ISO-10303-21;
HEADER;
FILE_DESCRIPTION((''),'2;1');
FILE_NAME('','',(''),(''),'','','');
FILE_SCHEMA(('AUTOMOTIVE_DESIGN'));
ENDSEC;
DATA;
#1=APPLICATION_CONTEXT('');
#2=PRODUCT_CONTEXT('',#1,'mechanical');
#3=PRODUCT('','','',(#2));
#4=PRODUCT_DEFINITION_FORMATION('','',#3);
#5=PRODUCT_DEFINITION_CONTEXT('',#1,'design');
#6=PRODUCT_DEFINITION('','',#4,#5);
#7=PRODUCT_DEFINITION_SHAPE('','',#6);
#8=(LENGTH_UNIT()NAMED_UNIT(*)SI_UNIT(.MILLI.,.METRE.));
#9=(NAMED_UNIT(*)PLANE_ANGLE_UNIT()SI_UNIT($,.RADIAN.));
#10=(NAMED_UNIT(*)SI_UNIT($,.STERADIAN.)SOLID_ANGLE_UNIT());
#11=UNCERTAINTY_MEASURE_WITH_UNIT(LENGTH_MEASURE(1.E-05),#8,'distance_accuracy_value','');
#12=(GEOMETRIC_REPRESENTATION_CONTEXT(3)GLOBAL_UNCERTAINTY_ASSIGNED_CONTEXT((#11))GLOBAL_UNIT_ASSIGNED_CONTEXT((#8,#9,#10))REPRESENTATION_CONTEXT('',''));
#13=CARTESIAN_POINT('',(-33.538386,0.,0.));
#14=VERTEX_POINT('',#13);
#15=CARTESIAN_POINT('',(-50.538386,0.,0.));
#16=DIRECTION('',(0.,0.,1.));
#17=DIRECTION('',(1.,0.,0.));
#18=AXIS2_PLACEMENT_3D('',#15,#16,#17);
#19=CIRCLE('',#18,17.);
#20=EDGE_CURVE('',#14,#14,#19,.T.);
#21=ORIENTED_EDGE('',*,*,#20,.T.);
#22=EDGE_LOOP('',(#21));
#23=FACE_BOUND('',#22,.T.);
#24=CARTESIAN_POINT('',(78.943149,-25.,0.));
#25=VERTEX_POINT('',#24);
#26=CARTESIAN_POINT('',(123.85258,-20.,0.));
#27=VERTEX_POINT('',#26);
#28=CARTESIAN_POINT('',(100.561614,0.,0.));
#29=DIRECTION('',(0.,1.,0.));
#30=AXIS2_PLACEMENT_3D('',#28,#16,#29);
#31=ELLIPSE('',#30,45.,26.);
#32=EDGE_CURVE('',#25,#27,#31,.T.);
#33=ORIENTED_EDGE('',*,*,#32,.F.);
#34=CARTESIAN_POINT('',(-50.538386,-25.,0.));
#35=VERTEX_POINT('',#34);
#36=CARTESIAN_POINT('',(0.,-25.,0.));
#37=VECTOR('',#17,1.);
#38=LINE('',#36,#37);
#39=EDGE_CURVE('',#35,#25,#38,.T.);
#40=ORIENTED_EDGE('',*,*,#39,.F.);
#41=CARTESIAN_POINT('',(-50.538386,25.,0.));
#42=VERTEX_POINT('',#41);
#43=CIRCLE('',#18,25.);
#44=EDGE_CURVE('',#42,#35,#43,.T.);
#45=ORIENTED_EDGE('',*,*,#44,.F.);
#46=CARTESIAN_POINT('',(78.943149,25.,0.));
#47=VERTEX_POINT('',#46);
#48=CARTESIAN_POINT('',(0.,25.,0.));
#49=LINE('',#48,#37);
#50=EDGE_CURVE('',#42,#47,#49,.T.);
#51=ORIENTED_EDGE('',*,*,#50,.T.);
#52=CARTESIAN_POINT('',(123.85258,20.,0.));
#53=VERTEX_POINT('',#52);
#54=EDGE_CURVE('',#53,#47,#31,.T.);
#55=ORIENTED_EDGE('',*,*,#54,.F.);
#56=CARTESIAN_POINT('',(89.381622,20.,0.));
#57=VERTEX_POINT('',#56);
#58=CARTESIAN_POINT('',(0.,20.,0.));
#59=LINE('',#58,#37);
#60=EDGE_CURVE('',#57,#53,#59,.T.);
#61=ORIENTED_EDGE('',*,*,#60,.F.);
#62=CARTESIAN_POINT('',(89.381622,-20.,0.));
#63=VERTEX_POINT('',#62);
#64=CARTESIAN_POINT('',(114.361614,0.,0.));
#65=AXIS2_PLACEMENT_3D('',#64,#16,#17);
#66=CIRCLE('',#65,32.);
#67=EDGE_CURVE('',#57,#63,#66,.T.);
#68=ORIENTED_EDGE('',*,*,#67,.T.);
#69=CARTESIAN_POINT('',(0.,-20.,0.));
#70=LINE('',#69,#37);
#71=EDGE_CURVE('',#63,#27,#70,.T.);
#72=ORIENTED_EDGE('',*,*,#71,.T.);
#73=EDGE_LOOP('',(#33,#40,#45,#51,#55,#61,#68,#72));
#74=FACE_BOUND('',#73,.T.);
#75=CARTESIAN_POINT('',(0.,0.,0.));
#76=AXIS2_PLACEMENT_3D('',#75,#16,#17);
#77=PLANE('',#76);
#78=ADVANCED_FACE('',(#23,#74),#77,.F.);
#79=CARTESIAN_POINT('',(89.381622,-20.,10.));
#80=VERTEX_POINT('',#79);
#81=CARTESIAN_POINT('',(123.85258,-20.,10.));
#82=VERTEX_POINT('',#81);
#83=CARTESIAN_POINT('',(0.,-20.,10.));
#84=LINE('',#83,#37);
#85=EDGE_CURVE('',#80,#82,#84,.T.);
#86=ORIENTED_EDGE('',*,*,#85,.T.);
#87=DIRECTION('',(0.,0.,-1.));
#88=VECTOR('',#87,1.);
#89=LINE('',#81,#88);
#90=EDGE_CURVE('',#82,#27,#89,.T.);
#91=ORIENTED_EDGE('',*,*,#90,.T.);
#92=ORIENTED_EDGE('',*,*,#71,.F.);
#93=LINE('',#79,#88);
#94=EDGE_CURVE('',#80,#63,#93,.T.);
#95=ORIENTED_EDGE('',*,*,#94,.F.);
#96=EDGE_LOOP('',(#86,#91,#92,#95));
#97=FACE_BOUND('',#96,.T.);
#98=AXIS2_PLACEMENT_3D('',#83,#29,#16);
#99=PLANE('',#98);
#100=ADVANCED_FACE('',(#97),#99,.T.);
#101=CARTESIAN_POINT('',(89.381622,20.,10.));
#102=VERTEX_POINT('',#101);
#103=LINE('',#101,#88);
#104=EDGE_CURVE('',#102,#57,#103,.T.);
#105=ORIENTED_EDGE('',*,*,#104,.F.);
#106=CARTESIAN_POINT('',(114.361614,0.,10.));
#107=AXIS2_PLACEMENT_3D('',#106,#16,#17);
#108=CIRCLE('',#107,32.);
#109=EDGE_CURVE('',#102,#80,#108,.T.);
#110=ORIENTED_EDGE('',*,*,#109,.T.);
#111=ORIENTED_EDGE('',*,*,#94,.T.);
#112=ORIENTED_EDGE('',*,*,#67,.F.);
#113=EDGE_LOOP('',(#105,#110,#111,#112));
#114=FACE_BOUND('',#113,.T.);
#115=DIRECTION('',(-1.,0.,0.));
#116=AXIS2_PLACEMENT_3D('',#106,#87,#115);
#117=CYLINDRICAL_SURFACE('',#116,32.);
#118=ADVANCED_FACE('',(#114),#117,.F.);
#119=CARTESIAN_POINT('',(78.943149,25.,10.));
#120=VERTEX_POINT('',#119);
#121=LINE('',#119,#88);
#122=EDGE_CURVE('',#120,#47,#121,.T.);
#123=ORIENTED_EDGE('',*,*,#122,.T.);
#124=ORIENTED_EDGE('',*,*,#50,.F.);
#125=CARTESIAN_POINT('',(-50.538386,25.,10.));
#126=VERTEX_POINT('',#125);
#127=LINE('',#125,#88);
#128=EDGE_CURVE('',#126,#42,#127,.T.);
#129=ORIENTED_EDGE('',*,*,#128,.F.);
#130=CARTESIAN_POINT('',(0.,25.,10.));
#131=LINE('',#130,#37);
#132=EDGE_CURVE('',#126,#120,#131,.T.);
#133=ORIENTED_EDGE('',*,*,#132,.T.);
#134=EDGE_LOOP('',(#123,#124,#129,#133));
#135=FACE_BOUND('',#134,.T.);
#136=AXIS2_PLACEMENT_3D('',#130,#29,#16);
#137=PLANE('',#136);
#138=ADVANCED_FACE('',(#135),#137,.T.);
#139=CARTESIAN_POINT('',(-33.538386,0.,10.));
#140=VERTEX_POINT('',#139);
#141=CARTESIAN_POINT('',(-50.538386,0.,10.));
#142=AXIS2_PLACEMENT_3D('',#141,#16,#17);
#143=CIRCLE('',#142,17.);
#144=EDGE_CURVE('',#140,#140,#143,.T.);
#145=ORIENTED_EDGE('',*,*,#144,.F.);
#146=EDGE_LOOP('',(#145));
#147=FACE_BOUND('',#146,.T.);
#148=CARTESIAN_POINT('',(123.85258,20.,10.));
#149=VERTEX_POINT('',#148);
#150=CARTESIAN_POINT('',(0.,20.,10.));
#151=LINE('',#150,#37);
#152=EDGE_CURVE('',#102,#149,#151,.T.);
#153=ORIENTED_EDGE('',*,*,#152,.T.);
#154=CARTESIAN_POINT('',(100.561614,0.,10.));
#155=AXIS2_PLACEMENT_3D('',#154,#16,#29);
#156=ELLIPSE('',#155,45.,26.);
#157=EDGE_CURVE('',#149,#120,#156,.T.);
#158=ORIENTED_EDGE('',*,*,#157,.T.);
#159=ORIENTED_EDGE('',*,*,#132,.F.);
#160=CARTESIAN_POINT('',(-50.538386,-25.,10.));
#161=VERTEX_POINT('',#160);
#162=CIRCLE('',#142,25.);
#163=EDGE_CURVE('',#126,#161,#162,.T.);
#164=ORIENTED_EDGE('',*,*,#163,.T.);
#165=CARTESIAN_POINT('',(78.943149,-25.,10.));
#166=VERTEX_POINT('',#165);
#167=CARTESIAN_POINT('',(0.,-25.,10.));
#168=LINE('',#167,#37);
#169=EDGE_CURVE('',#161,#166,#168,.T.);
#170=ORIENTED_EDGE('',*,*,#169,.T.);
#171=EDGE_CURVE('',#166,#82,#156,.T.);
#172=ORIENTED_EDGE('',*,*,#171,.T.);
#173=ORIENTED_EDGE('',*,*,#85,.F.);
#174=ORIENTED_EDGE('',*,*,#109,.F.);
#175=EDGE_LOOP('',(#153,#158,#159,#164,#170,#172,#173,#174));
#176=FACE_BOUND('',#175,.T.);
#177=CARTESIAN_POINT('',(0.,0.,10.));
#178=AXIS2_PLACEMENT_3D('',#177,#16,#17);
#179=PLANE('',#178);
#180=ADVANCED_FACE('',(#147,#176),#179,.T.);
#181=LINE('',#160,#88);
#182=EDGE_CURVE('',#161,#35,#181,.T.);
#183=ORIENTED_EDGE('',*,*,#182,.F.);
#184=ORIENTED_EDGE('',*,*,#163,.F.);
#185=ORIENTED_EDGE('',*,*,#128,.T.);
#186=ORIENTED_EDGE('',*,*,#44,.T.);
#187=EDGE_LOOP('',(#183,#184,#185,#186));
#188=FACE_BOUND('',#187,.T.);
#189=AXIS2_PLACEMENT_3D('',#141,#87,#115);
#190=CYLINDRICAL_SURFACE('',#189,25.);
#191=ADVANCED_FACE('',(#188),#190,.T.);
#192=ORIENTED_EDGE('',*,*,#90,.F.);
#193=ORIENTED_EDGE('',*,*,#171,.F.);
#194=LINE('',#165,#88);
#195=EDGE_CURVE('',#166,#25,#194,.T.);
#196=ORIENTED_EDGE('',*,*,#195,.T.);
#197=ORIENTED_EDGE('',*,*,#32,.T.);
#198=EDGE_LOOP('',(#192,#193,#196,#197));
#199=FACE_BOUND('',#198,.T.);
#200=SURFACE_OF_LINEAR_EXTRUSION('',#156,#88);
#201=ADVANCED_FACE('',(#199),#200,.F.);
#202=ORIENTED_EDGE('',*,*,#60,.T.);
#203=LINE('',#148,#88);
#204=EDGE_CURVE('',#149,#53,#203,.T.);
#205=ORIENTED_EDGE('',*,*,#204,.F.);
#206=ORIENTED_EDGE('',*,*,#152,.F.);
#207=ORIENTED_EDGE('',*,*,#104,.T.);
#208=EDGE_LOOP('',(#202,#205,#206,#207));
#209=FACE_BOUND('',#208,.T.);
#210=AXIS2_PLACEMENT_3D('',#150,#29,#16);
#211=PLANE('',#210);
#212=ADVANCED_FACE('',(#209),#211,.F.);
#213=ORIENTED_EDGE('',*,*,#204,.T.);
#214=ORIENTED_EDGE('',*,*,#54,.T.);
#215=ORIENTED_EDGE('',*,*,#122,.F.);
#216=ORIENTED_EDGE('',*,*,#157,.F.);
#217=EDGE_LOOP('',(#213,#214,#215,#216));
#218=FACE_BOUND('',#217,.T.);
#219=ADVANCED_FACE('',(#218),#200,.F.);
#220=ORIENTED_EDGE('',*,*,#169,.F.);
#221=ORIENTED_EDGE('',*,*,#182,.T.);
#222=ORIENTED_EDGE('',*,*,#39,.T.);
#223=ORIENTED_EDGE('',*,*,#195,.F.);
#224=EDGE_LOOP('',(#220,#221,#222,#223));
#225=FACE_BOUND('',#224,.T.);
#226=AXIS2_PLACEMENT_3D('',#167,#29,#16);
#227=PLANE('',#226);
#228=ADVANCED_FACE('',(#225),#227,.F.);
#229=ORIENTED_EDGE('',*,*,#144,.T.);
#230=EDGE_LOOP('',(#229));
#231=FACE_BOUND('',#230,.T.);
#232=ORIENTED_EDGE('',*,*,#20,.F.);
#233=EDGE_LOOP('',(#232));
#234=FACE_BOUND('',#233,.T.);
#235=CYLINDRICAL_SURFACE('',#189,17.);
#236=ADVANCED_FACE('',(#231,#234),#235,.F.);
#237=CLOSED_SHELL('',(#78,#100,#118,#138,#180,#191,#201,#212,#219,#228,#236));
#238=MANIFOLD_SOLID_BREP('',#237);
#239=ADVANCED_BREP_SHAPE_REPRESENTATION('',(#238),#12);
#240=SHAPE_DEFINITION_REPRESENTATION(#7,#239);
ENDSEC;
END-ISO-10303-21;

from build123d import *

# Parameters (mm, degrees)
IZIM1_R                     = 17
Y_KSEKLIK_EKSTR_ZYON1_DEPTH = 10


with BuildPart() as part:
    # Çizim1 → Yükseklik-Ekstrüzyon1 (new body)
    with BuildSketch(Plane.XY):
        with BuildLine():
            Line((-50.538386463, 25), (78.943148636, 25))
            add(Edge.make_bspline(
                [(123.852580365, 20), (103.89283293, 89.629118064), (78.943148636, 25)],
                knots=[5.172942972, 5.172942972, 5.172942972, 7.264950664, 7.264950664, 7.264950664], degree=2, weights=[1, 0.501033423, 1]))
            Line((123.852580365, 20), (89.381621543, 20))
            ThreePointArc((89.381621543, 20), (82.361613537, 0), (89.381621543, -20))
            Line((89.381621543, -20), (123.852580365, -20))
            add(Edge.make_bspline(
                [(78.943148636, -25), (103.89283293, -89.629118064), (123.852580365, -20)],
                knots=[2.159827297, 2.159827297, 2.159827297, 4.251834989, 4.251834989, 4.251834989], degree=2, weights=[1, 0.501033423, 1]))
            Line((78.943148636, -25), (-50.538386463, -25))
            ThreePointArc((-50.538386463, -25), (-75.538386463, 0), (-50.538386463, 25))
        make_face()
        with Locations((-50.538386463, 0)):
            Circle(IZIM1_R, mode=Mode.SUBTRACT)
    extrude(amount=Y_KSEKLIK_EKSTR_ZYON1_DEPTH)


solid = part.part
